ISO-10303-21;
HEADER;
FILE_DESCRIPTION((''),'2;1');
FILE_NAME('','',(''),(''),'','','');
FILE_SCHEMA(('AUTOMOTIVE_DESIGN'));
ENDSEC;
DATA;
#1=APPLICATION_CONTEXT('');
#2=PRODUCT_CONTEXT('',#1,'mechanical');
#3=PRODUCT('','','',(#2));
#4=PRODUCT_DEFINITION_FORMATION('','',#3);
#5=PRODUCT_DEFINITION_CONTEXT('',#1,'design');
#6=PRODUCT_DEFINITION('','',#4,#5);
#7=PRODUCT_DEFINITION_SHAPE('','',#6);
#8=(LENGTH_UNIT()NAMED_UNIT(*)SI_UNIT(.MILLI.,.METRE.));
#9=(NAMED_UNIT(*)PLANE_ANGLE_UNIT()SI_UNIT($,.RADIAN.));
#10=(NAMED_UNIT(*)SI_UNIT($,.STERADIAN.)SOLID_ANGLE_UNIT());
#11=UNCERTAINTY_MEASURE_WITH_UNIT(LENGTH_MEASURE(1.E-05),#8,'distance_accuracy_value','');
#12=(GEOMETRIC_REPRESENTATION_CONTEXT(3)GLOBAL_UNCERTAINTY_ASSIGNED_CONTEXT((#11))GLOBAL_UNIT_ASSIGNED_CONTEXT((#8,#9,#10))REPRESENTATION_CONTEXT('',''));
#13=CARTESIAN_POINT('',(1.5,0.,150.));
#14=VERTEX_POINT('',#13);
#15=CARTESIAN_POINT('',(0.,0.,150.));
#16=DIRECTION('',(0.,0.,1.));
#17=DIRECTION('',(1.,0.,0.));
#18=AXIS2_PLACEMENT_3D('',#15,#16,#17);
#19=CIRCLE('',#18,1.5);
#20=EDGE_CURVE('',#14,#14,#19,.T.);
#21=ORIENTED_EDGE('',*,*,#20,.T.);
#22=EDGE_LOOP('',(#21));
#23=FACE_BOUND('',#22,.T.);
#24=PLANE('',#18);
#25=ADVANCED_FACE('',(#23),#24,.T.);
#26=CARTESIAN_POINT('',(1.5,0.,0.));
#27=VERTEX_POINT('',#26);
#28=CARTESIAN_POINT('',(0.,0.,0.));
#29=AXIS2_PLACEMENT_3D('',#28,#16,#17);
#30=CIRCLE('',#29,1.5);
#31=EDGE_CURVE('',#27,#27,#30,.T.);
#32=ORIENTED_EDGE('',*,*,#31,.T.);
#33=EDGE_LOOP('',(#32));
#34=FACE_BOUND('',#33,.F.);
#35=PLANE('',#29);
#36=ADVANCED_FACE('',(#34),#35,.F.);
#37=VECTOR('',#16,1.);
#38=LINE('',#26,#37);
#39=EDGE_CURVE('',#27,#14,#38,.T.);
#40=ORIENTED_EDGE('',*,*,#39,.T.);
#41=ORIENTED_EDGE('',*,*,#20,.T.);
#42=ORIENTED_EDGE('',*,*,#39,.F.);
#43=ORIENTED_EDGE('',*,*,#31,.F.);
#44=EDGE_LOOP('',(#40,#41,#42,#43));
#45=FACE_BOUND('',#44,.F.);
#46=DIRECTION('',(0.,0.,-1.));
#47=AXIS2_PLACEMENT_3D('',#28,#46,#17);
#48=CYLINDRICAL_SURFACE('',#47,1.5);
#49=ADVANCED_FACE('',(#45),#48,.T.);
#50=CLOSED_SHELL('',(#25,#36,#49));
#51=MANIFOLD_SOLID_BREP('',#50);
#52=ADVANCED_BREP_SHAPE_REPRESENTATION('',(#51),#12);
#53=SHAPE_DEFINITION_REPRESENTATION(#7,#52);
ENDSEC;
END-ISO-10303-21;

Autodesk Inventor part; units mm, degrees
ref_plane "YZ Plane" through (0, 0, 0) normal (1, 0, 0) x (0, 1, 0)
ref_plane "XZ Plane" through (0, 0, 0) normal (0, 1, 0) x (-1, 0, 0)
ref_plane "XY Plane" through (0, 0, 0) normal (0, 0, 1) x (1, 0, 0)
sketch "Sketch1" plane through (0, 0, 0) normal (0, 0, 1) x (1, 0, 0)
  circle A0 centre (0, 0) radius 1.5
  dimension "d0" = 3
extrude "Extrusion1" add sketch "Sketch1" along normal blind 150
thread "Thread2" size "M3x0.5" class "6g" standard "ANSI Metric M Profile" full length
properties part number "thread_M3_150"
